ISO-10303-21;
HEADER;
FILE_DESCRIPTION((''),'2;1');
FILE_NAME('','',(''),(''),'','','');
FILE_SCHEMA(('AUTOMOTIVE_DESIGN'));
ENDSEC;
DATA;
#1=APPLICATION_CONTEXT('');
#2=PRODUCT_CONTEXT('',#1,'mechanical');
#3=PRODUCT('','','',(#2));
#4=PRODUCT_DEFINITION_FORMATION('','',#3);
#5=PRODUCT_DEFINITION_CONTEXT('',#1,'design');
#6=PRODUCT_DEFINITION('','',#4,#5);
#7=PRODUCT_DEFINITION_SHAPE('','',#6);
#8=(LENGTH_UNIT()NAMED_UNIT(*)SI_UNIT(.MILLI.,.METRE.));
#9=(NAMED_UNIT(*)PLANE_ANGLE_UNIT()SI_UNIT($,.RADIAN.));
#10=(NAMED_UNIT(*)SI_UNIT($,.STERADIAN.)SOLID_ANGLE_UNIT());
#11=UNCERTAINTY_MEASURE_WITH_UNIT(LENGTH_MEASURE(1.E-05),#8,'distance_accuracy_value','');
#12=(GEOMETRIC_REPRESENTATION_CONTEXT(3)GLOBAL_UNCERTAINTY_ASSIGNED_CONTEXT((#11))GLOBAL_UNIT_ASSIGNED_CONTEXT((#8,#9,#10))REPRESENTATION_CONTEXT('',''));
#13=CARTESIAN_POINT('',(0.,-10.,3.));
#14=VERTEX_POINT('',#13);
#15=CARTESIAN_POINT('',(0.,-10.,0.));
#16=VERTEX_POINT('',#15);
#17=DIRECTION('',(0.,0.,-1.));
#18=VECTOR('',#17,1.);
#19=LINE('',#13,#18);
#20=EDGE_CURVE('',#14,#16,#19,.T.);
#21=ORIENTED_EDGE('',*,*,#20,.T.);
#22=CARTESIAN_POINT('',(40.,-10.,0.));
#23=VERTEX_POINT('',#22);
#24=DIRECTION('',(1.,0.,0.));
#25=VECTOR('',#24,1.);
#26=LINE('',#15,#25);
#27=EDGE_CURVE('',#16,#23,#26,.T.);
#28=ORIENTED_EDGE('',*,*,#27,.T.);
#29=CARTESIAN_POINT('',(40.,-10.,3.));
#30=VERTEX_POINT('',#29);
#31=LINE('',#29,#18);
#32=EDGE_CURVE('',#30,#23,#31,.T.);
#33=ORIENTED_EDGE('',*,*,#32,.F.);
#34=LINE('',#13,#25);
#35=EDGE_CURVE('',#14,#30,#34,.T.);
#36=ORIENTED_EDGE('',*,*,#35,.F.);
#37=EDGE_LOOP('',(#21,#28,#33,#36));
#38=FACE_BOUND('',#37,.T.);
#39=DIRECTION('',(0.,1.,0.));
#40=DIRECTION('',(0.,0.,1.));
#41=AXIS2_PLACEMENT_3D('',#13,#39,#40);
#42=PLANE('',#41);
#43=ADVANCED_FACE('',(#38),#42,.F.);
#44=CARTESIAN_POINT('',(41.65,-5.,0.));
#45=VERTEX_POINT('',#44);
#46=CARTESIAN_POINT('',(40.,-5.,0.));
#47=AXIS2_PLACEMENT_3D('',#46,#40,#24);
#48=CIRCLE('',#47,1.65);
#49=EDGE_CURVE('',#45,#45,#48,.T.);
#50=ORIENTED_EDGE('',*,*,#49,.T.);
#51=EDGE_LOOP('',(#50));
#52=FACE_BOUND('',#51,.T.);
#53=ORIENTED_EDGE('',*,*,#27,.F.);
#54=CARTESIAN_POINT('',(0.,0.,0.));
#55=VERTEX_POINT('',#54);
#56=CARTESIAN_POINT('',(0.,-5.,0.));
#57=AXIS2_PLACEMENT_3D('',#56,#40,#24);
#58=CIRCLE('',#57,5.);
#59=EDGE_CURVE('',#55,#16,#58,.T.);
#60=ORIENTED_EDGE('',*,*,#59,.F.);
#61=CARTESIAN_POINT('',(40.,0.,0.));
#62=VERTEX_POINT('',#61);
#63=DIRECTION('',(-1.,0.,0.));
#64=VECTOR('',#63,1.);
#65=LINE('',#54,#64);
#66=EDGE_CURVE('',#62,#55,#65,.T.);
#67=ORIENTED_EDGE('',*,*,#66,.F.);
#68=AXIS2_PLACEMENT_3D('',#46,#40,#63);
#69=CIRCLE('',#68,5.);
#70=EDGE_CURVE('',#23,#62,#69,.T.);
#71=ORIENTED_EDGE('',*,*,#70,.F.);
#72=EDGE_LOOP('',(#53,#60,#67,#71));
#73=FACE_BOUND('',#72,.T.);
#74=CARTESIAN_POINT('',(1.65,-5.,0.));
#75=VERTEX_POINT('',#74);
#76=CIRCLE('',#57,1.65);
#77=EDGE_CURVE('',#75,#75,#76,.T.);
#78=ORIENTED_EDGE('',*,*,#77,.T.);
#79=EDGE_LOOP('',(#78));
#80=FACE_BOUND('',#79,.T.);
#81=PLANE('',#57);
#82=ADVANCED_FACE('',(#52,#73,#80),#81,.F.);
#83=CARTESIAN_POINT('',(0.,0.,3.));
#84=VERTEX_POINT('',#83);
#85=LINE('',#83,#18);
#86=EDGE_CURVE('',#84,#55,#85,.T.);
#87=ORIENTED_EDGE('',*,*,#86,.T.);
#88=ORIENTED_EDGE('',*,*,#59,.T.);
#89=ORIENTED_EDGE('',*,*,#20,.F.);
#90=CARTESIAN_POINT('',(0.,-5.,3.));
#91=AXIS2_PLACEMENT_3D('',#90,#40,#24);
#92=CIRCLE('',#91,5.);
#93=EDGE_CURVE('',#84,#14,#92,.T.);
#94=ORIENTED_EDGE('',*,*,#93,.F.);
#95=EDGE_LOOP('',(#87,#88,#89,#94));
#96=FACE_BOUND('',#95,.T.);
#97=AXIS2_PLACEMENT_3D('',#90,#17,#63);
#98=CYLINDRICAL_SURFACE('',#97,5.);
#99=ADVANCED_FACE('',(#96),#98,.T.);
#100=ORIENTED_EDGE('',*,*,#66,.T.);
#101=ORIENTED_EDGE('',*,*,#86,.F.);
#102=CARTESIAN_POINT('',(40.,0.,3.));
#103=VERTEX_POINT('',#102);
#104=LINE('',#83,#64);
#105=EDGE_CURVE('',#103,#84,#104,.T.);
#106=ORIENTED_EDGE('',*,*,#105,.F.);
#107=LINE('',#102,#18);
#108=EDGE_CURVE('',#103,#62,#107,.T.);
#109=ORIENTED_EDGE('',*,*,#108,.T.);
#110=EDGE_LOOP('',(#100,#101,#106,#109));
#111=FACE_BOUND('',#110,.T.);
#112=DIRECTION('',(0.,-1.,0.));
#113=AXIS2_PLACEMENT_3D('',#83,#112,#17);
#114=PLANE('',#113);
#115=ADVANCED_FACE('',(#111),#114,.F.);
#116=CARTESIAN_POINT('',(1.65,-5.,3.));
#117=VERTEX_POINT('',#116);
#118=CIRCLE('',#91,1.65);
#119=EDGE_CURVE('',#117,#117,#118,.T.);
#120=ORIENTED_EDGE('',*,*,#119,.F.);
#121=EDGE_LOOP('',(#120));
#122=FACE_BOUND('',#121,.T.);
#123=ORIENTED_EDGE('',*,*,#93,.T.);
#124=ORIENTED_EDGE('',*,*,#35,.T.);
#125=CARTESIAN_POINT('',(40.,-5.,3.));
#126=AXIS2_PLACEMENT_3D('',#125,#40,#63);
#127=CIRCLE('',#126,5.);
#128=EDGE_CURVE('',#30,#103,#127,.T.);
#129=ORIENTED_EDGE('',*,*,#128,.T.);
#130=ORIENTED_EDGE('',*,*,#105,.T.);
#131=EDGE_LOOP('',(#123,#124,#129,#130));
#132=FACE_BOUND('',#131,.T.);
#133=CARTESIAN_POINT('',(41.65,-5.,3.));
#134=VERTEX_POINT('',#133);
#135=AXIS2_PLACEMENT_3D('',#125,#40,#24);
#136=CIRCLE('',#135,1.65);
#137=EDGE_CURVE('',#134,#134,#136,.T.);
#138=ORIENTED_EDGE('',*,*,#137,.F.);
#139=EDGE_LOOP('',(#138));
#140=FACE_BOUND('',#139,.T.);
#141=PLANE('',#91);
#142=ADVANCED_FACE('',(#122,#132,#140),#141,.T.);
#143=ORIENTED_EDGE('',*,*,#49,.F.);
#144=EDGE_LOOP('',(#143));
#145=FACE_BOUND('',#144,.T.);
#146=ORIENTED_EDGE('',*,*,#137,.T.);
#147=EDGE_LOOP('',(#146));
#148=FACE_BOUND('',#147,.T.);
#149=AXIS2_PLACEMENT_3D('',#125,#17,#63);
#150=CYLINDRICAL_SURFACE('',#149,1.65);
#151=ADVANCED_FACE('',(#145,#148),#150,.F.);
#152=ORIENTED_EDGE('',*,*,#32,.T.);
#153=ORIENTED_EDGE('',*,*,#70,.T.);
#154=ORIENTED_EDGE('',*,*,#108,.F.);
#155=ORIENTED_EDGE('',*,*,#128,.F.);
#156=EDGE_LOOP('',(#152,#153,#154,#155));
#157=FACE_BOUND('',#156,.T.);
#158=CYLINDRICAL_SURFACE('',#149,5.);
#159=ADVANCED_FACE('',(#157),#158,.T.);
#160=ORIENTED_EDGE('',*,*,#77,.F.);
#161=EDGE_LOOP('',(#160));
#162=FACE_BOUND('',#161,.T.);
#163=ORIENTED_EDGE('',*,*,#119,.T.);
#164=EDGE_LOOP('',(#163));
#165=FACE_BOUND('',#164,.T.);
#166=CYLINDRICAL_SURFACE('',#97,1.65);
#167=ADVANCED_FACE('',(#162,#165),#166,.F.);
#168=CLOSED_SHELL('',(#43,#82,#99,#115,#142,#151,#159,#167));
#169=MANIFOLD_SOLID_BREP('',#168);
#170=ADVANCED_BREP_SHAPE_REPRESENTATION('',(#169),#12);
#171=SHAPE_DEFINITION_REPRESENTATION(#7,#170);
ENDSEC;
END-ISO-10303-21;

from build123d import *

# Parameters (mm, degrees)
SKETCH_1_R      = 1.65
EXTRUDE_1_DEPTH = 3


with BuildPart() as part:
    # 草图1 → 凸台-拉伸1 (new body)
    with BuildSketch(Plane.XY):
        with BuildLine():
            Line((0, 0), (40, 0))
            ThreePointArc((40, 0), (45, -5), (40, -10))
            Line((40, -10), (0, -10))
            ThreePointArc((0, -10), (-5, -5), (0, 0))
        make_face()
        with Locations((0, -5)):
            Circle(SKETCH_1_R, mode=Mode.SUBTRACT)
        with Locations((40, -5)):
            Circle(SKETCH_1_R, mode=Mode.SUBTRACT)
    extrude(amount=EXTRUDE_1_DEPTH)


solid = part.part
